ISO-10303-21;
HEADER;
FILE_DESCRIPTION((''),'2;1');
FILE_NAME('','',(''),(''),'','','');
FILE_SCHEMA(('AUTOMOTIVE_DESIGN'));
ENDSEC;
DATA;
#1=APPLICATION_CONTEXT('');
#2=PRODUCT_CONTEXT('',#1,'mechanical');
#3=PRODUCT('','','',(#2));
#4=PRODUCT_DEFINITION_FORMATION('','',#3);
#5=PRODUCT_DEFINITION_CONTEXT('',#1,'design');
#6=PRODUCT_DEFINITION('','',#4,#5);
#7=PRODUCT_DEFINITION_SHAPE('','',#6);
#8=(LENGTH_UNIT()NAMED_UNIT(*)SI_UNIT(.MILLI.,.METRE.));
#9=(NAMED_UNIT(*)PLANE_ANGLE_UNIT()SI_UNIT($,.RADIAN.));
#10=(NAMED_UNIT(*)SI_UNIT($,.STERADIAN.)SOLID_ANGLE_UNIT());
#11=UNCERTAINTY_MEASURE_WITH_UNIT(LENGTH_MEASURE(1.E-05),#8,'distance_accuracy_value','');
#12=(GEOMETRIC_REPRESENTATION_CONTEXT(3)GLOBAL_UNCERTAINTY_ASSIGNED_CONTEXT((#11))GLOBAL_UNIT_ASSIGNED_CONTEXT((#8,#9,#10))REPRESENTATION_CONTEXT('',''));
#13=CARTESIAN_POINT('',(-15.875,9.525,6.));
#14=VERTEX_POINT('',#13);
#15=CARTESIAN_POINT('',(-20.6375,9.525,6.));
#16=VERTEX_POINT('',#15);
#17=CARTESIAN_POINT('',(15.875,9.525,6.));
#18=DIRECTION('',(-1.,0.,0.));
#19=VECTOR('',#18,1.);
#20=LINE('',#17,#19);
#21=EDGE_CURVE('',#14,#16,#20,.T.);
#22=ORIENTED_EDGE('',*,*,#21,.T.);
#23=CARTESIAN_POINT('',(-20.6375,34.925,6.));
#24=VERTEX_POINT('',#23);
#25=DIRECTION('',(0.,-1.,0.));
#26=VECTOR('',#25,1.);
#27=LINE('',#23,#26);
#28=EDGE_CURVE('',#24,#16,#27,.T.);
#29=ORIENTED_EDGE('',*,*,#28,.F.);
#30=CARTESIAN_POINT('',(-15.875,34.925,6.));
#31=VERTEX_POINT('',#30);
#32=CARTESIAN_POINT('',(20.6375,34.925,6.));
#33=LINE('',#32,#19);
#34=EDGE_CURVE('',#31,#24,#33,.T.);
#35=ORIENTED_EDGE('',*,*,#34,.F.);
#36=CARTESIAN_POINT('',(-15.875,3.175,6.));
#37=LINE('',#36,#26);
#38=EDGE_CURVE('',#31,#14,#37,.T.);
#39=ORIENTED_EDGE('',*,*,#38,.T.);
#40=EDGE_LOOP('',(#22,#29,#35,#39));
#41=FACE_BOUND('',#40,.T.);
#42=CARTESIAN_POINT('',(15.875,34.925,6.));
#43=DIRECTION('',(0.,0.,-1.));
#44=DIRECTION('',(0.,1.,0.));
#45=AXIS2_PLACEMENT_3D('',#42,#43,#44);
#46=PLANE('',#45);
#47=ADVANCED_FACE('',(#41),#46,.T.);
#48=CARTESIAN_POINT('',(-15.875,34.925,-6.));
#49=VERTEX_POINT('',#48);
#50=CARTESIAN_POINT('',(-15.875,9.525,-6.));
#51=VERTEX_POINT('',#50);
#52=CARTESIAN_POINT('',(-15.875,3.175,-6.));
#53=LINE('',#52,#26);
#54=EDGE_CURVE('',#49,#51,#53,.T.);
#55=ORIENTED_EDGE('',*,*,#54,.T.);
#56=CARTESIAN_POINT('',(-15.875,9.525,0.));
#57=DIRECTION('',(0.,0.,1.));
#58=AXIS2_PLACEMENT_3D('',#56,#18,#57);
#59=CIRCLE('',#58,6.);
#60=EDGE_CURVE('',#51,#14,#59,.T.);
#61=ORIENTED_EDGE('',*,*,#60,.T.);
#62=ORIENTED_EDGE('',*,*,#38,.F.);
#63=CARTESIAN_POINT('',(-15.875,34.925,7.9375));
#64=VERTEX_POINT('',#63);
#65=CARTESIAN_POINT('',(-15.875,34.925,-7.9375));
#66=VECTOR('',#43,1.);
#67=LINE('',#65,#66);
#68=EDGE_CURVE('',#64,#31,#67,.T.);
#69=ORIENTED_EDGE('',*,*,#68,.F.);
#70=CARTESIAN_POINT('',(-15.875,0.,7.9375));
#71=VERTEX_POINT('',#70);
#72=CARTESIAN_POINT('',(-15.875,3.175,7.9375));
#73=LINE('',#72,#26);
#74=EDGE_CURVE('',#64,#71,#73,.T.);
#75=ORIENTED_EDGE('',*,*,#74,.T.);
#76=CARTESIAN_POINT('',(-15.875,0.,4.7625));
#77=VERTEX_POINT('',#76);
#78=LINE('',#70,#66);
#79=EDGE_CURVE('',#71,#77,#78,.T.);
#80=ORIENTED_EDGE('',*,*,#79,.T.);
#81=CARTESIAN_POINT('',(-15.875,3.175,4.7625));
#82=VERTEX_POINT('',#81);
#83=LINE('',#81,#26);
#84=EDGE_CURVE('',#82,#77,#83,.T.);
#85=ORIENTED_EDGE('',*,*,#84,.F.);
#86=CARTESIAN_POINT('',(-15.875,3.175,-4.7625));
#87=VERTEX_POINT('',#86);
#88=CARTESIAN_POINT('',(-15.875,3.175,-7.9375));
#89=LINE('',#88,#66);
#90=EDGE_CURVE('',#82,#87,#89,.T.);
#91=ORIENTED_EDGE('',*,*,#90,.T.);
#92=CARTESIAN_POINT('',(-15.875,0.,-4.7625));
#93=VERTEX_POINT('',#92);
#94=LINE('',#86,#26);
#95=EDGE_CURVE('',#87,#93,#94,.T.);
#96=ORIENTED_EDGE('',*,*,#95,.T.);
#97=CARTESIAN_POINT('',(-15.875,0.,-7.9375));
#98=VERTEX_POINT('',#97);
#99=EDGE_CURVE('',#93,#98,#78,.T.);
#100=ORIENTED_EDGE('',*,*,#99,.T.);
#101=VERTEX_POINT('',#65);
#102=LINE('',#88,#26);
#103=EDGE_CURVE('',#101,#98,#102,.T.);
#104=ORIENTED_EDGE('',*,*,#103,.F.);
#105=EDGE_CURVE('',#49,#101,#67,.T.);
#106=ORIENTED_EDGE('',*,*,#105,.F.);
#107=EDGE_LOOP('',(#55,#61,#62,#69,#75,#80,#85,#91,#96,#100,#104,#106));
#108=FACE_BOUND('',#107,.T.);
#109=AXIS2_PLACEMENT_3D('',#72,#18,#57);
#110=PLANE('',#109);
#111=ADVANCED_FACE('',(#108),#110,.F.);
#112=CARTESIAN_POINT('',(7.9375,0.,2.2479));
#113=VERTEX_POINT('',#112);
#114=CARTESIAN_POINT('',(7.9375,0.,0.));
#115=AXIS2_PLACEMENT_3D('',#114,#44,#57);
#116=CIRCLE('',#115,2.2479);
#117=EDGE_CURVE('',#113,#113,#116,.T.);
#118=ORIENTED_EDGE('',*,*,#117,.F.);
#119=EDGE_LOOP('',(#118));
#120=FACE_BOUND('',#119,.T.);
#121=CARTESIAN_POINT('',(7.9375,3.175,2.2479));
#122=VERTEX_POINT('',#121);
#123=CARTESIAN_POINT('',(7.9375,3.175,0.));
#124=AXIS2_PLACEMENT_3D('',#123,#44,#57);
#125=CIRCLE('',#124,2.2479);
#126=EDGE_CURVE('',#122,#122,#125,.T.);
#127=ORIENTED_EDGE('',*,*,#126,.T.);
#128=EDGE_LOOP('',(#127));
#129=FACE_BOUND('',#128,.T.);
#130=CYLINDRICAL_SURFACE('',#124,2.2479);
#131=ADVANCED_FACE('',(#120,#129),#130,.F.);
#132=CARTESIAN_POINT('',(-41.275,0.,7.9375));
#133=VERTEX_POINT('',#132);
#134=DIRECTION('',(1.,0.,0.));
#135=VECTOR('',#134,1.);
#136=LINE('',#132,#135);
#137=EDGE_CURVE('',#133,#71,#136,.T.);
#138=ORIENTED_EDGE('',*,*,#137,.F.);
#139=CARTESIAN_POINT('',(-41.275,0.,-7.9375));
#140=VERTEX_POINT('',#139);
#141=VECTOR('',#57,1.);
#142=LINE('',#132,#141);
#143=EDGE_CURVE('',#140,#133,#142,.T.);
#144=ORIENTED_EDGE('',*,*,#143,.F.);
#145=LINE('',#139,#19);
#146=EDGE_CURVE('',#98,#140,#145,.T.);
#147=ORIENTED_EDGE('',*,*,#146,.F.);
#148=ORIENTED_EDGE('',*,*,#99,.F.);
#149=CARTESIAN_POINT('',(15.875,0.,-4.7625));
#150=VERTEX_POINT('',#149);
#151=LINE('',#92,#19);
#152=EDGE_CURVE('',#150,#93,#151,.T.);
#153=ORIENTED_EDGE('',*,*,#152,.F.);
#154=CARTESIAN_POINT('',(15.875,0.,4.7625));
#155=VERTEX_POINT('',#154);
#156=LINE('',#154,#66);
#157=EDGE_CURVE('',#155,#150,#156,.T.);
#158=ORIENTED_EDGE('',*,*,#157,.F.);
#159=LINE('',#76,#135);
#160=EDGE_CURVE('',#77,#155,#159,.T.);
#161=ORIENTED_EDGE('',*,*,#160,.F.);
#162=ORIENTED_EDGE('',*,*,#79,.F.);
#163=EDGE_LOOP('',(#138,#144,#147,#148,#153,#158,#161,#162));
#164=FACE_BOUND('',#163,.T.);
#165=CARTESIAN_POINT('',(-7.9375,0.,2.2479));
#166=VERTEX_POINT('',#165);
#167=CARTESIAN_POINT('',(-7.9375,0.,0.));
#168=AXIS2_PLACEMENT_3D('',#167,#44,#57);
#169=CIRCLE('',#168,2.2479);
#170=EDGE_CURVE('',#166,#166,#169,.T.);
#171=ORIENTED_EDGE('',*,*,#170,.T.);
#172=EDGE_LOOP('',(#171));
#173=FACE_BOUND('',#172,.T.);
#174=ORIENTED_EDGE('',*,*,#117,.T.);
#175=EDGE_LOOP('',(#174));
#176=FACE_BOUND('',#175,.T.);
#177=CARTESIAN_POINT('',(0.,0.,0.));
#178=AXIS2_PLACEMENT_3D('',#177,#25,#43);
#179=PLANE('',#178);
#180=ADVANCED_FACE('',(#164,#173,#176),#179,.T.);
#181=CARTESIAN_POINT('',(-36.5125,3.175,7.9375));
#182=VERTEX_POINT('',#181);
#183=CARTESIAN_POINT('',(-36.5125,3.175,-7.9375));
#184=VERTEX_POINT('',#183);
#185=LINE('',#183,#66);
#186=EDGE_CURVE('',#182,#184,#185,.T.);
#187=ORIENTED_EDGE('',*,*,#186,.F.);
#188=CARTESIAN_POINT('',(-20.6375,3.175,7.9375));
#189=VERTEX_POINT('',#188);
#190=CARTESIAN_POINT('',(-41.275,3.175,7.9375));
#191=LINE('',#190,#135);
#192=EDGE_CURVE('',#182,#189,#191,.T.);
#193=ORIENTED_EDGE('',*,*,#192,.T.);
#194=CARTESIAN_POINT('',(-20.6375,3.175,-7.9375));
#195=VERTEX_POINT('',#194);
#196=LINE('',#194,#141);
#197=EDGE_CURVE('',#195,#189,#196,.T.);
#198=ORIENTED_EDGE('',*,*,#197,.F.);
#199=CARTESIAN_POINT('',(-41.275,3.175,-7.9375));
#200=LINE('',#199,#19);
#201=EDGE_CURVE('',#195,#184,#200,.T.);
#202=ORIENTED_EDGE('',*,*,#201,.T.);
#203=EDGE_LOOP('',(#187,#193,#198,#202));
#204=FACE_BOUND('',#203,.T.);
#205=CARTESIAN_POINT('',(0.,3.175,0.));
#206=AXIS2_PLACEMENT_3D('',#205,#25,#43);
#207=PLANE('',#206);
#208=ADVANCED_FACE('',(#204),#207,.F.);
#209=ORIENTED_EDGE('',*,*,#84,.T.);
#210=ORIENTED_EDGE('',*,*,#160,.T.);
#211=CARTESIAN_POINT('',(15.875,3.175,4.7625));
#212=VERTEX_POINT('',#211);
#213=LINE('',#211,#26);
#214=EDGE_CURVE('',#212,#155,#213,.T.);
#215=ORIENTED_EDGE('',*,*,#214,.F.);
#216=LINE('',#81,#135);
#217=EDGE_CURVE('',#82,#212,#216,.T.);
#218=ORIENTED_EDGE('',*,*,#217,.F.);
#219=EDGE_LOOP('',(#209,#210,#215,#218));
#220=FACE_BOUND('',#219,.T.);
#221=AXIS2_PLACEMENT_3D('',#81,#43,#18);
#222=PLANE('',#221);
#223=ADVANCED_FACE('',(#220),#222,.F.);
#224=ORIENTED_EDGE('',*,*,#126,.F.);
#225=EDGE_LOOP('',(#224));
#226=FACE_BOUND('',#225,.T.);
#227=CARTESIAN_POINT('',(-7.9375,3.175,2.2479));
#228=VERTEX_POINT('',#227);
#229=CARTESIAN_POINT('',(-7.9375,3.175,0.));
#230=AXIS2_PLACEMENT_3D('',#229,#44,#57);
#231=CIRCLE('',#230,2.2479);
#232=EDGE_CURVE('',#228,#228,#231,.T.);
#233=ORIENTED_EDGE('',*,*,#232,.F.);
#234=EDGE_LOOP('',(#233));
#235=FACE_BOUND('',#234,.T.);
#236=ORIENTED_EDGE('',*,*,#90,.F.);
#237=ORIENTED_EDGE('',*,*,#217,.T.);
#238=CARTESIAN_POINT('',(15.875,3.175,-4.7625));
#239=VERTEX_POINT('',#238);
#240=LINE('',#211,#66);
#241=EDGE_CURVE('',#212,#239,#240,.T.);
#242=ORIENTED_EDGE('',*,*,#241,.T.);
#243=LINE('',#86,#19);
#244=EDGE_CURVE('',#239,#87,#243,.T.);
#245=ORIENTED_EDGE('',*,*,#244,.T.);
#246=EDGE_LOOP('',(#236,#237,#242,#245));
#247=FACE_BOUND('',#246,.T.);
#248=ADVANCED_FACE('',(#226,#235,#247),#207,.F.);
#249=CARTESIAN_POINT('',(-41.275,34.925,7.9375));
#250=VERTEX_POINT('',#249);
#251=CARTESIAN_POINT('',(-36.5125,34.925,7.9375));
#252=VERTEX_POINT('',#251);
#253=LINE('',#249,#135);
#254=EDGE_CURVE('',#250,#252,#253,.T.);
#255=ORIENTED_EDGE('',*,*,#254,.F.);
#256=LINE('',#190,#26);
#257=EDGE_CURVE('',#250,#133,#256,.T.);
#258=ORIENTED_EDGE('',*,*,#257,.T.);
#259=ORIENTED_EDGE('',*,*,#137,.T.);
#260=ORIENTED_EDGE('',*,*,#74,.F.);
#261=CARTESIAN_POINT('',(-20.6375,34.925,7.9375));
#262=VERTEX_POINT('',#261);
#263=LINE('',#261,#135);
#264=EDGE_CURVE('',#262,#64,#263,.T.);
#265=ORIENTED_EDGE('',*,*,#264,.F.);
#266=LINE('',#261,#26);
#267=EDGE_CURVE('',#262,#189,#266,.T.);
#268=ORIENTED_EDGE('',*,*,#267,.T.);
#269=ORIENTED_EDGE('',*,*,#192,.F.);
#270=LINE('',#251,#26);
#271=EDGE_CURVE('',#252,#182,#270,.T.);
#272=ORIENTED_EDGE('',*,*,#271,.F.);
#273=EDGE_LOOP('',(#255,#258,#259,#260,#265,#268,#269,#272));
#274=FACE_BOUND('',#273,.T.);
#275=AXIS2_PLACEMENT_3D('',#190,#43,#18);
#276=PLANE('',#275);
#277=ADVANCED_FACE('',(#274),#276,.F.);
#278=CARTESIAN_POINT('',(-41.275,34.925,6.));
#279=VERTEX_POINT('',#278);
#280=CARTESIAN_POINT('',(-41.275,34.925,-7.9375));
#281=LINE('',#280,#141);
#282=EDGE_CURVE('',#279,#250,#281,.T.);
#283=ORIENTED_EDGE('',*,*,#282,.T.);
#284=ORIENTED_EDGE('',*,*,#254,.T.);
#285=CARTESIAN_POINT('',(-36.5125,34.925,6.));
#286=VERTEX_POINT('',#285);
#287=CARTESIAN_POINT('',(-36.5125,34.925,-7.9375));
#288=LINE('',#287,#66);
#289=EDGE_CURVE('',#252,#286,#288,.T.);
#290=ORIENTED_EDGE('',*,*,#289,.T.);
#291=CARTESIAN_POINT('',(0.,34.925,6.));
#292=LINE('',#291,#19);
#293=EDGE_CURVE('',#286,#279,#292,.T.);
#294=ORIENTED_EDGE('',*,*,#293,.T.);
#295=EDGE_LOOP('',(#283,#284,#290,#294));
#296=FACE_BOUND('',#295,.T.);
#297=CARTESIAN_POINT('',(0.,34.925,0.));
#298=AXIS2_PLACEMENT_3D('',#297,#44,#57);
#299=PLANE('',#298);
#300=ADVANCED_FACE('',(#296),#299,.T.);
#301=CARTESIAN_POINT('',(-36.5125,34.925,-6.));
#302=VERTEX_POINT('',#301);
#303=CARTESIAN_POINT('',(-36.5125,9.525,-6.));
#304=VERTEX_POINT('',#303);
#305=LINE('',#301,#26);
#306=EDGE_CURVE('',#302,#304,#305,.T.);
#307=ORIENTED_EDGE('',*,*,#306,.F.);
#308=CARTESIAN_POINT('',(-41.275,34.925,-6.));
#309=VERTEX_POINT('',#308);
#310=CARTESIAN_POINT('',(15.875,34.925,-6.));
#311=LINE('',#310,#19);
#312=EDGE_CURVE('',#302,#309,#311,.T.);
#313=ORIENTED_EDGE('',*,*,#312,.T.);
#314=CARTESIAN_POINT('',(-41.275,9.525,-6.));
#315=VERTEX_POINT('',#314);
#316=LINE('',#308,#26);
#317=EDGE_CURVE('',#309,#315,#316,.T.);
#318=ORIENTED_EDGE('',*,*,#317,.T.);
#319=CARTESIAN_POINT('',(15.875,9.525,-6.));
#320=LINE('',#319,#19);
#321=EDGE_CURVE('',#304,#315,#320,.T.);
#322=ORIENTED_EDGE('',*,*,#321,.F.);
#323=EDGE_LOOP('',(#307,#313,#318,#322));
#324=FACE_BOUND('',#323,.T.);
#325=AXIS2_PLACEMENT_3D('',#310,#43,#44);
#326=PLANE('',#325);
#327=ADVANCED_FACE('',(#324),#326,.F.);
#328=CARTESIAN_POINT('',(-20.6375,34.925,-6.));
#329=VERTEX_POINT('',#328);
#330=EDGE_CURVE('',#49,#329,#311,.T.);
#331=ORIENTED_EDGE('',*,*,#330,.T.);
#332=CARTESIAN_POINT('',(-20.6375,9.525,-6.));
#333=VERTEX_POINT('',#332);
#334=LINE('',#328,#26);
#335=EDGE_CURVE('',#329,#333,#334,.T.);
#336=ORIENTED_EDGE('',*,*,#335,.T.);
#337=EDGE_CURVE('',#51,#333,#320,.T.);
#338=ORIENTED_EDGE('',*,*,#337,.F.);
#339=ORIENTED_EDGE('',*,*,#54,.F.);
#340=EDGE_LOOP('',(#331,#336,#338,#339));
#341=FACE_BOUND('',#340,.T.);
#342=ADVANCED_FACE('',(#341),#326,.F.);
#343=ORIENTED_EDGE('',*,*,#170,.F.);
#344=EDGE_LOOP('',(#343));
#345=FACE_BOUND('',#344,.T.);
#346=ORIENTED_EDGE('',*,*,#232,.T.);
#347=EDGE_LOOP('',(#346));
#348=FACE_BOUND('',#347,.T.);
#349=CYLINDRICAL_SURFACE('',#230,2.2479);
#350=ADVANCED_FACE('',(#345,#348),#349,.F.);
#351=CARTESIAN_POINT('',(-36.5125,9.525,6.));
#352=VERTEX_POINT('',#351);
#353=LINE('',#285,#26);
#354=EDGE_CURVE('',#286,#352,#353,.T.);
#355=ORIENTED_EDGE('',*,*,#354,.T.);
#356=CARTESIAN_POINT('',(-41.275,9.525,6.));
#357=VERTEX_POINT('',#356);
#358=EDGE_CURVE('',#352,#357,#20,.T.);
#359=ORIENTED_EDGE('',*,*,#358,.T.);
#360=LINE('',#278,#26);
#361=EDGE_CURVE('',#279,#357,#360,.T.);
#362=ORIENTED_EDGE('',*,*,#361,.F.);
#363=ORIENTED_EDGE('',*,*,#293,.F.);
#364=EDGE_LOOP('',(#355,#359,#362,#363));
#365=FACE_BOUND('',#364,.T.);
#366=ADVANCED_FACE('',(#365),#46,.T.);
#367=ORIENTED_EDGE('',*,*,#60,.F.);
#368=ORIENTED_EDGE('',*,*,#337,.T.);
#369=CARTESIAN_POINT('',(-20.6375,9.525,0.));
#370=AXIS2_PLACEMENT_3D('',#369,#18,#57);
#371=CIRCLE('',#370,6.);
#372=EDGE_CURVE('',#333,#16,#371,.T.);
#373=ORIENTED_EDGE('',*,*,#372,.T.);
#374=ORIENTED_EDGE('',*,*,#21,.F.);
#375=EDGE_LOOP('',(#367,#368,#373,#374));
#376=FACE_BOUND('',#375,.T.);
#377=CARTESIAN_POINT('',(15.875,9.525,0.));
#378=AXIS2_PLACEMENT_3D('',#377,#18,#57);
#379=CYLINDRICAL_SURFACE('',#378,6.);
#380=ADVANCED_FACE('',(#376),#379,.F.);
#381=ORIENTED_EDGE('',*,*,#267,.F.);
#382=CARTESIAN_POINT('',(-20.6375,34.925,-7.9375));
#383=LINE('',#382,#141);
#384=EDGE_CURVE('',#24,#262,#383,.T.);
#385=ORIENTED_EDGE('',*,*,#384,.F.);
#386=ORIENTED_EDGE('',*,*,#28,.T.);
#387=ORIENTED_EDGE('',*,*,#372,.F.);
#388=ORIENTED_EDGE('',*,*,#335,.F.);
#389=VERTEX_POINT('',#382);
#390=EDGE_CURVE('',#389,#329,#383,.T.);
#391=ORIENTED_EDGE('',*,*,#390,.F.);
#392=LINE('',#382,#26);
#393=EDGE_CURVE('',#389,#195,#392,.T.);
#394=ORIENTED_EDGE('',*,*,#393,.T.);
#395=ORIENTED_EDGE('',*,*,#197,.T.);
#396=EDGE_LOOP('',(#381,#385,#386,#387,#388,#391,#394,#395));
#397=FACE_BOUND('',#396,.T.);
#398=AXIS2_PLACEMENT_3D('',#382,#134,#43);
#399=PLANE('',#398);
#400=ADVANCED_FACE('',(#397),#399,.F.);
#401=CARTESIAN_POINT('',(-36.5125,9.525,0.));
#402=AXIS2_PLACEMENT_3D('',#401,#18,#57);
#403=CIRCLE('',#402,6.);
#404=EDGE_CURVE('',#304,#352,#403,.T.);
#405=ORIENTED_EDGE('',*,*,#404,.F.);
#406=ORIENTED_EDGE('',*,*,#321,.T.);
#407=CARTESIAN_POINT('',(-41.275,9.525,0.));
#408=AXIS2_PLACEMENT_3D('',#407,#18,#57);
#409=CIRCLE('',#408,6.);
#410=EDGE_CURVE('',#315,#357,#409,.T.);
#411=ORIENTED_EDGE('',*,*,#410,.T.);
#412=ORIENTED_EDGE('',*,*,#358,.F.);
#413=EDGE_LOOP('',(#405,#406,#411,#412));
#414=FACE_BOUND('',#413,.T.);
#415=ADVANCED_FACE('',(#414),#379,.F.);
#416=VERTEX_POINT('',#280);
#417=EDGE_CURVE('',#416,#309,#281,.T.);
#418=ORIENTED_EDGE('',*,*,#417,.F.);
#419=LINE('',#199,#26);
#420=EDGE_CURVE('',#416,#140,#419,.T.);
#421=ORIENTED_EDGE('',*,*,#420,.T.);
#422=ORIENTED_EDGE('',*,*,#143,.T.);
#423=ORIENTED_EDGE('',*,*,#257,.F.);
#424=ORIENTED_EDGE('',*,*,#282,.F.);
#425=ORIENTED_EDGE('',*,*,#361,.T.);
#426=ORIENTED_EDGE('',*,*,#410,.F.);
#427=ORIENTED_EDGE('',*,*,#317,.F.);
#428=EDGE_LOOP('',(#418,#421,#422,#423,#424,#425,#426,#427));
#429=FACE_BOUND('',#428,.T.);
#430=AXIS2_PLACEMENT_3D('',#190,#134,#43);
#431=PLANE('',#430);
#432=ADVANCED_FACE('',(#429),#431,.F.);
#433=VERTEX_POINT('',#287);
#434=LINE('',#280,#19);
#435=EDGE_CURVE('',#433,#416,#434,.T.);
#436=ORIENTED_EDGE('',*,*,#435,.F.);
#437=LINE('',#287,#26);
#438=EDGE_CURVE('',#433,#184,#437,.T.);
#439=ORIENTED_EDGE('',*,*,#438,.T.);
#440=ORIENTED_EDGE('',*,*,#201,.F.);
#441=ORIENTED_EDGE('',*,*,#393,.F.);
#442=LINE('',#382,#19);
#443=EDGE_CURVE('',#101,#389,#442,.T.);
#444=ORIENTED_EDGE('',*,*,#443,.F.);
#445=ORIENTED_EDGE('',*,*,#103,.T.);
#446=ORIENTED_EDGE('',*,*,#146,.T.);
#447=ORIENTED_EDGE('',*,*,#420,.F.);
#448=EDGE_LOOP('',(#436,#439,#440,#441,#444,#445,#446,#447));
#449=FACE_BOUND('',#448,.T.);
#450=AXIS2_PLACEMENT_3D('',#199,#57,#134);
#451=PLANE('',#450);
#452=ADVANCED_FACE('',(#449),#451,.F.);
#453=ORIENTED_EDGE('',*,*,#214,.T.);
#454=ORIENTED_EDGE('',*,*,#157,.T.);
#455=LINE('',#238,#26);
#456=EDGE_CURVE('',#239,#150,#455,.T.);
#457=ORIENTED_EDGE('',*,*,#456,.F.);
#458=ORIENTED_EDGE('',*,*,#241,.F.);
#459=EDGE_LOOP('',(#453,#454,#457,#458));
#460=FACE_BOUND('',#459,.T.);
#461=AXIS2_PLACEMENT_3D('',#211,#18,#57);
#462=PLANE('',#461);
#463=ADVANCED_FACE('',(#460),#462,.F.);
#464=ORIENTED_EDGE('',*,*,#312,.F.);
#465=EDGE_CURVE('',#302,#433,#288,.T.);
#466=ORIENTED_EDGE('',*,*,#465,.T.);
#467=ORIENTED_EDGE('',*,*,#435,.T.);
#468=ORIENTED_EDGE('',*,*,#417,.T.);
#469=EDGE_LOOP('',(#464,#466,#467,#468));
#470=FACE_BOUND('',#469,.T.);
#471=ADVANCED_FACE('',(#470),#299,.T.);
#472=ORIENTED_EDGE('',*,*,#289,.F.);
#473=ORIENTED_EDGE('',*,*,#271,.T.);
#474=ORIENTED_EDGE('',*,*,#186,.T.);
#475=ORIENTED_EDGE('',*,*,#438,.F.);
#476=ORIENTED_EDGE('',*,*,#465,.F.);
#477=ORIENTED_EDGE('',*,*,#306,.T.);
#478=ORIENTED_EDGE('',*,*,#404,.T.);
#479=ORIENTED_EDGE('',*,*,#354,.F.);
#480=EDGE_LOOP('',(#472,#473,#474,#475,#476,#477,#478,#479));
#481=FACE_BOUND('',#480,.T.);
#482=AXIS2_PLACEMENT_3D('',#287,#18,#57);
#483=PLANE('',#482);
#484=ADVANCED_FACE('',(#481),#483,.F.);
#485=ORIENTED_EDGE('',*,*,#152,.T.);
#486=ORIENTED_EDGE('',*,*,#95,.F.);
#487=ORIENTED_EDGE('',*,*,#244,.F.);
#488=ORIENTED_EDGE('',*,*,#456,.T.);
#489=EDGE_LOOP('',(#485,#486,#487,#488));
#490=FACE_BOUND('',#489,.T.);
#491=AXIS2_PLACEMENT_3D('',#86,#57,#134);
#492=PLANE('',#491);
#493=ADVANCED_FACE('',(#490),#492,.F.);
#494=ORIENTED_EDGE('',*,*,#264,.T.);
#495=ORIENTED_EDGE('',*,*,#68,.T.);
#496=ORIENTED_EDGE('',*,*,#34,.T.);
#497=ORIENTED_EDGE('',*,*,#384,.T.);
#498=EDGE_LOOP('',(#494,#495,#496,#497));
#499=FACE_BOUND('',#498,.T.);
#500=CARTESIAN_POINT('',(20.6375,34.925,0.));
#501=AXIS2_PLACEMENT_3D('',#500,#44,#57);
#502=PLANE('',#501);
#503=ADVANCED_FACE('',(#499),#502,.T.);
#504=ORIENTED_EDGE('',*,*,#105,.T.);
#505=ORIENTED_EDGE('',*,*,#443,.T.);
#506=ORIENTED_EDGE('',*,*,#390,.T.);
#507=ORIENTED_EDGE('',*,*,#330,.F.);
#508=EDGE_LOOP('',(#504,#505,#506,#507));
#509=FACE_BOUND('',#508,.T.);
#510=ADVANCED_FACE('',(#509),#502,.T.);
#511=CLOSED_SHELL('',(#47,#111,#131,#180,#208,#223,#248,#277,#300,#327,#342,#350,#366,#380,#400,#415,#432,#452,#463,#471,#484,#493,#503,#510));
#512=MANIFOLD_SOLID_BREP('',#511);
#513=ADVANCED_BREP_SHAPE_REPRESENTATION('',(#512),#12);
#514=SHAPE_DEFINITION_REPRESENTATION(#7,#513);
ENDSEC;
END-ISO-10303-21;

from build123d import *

# Parameters (mm, degrees)
SKETCH1_W             = 31.75
SKETCH1_H             = 9.525
BOSS_EXTRUDE1_DEPTH   = 3.175
F_8_CLEARANCE_HOLE1_D = 4.4958
SKETCH4_W             = 25.4
SKETCH4_H             = 15.875
BOSS_EXTRUDE2_DEPTH   = 3.175
SKETCH5_W             = 4.7625
SKETCH5_H             = 15.875
BOSS_EXTRUDE3_DEPTH   = 31.75
CUT_EXTRUDE1_DEPTH    = 68.445400371
LPATTERN1_COUNT       = 2
LPATTERN1_PITCH       = 20.6375


with BuildPart() as part:
    # Sketch1 → Boss-Extrude1 (new body)
    with BuildSketch(Plane(origin=(0, 0, 0), x_dir=(1, 0, 0), z_dir=(0, 1, 0))):
        Rectangle(SKETCH1_W, SKETCH1_H)
    extrude(amount=BOSS_EXTRUDE1_DEPTH)

    # #8 Clearance Hole1 (through all)
    with Locations(Plane(origin=(0, 3.175, 0), x_dir=(1, 0, 0), z_dir=(0, 1, 0))):
        with Locations((-7.9375, 0), (7.9375, 0)):
            Hole(F_8_CLEARANCE_HOLE1_D / 2)

    # Sketch4 → Boss-Extrude2 (add)
    with BuildSketch(Plane(origin=(0, 0, 0), x_dir=(1, 0, 0), z_dir=(0, 1, 0))):
        with Locations((-28.575, 0)):
            Rectangle(SKETCH4_W, SKETCH4_H)
    extrude(amount=BOSS_EXTRUDE2_DEPTH)

    # Sketch5 → Boss-Extrude3 (add)
    with BuildSketch(Plane(origin=(0, 3.175, 0), x_dir=(1, 0, 0), z_dir=(0, 1, 0))):
        with Locations((-38.89375, 0)):
            Rectangle(SKETCH5_W, SKETCH5_H)
    boss_extrude3 = extrude(amount=BOSS_EXTRUDE3_DEPTH)

    # Sketch7 → Cut-Extrude1 (cut, through all)
    with BuildSketch(Plane.ZY.offset(41.275)):
        with BuildLine():
            Line((6, 34.925), (6, 9.525))
            ThreePointArc((6, 9.525), (0, 3.525), (-6, 9.525))
            Line((-6, 9.525), (-6, 34.925))
            ThreePointArc((-6, 34.925), (0, 40.925), (6, 34.925))
        make_face()
    cut_extrude1 = extrude(amount=-CUT_EXTRUDE1_DEPTH, mode=Mode.SUBTRACT)

    # LPattern1: Boss-Extrude3, Cut-Extrude1 ×2
    with Locations(*[(i * LPATTERN1_PITCH, 0, 0) for i in range(1, LPATTERN1_COUNT)]):
        add(boss_extrude3)
        add(cut_extrude1, mode=Mode.SUBTRACT)


solid = part.part
